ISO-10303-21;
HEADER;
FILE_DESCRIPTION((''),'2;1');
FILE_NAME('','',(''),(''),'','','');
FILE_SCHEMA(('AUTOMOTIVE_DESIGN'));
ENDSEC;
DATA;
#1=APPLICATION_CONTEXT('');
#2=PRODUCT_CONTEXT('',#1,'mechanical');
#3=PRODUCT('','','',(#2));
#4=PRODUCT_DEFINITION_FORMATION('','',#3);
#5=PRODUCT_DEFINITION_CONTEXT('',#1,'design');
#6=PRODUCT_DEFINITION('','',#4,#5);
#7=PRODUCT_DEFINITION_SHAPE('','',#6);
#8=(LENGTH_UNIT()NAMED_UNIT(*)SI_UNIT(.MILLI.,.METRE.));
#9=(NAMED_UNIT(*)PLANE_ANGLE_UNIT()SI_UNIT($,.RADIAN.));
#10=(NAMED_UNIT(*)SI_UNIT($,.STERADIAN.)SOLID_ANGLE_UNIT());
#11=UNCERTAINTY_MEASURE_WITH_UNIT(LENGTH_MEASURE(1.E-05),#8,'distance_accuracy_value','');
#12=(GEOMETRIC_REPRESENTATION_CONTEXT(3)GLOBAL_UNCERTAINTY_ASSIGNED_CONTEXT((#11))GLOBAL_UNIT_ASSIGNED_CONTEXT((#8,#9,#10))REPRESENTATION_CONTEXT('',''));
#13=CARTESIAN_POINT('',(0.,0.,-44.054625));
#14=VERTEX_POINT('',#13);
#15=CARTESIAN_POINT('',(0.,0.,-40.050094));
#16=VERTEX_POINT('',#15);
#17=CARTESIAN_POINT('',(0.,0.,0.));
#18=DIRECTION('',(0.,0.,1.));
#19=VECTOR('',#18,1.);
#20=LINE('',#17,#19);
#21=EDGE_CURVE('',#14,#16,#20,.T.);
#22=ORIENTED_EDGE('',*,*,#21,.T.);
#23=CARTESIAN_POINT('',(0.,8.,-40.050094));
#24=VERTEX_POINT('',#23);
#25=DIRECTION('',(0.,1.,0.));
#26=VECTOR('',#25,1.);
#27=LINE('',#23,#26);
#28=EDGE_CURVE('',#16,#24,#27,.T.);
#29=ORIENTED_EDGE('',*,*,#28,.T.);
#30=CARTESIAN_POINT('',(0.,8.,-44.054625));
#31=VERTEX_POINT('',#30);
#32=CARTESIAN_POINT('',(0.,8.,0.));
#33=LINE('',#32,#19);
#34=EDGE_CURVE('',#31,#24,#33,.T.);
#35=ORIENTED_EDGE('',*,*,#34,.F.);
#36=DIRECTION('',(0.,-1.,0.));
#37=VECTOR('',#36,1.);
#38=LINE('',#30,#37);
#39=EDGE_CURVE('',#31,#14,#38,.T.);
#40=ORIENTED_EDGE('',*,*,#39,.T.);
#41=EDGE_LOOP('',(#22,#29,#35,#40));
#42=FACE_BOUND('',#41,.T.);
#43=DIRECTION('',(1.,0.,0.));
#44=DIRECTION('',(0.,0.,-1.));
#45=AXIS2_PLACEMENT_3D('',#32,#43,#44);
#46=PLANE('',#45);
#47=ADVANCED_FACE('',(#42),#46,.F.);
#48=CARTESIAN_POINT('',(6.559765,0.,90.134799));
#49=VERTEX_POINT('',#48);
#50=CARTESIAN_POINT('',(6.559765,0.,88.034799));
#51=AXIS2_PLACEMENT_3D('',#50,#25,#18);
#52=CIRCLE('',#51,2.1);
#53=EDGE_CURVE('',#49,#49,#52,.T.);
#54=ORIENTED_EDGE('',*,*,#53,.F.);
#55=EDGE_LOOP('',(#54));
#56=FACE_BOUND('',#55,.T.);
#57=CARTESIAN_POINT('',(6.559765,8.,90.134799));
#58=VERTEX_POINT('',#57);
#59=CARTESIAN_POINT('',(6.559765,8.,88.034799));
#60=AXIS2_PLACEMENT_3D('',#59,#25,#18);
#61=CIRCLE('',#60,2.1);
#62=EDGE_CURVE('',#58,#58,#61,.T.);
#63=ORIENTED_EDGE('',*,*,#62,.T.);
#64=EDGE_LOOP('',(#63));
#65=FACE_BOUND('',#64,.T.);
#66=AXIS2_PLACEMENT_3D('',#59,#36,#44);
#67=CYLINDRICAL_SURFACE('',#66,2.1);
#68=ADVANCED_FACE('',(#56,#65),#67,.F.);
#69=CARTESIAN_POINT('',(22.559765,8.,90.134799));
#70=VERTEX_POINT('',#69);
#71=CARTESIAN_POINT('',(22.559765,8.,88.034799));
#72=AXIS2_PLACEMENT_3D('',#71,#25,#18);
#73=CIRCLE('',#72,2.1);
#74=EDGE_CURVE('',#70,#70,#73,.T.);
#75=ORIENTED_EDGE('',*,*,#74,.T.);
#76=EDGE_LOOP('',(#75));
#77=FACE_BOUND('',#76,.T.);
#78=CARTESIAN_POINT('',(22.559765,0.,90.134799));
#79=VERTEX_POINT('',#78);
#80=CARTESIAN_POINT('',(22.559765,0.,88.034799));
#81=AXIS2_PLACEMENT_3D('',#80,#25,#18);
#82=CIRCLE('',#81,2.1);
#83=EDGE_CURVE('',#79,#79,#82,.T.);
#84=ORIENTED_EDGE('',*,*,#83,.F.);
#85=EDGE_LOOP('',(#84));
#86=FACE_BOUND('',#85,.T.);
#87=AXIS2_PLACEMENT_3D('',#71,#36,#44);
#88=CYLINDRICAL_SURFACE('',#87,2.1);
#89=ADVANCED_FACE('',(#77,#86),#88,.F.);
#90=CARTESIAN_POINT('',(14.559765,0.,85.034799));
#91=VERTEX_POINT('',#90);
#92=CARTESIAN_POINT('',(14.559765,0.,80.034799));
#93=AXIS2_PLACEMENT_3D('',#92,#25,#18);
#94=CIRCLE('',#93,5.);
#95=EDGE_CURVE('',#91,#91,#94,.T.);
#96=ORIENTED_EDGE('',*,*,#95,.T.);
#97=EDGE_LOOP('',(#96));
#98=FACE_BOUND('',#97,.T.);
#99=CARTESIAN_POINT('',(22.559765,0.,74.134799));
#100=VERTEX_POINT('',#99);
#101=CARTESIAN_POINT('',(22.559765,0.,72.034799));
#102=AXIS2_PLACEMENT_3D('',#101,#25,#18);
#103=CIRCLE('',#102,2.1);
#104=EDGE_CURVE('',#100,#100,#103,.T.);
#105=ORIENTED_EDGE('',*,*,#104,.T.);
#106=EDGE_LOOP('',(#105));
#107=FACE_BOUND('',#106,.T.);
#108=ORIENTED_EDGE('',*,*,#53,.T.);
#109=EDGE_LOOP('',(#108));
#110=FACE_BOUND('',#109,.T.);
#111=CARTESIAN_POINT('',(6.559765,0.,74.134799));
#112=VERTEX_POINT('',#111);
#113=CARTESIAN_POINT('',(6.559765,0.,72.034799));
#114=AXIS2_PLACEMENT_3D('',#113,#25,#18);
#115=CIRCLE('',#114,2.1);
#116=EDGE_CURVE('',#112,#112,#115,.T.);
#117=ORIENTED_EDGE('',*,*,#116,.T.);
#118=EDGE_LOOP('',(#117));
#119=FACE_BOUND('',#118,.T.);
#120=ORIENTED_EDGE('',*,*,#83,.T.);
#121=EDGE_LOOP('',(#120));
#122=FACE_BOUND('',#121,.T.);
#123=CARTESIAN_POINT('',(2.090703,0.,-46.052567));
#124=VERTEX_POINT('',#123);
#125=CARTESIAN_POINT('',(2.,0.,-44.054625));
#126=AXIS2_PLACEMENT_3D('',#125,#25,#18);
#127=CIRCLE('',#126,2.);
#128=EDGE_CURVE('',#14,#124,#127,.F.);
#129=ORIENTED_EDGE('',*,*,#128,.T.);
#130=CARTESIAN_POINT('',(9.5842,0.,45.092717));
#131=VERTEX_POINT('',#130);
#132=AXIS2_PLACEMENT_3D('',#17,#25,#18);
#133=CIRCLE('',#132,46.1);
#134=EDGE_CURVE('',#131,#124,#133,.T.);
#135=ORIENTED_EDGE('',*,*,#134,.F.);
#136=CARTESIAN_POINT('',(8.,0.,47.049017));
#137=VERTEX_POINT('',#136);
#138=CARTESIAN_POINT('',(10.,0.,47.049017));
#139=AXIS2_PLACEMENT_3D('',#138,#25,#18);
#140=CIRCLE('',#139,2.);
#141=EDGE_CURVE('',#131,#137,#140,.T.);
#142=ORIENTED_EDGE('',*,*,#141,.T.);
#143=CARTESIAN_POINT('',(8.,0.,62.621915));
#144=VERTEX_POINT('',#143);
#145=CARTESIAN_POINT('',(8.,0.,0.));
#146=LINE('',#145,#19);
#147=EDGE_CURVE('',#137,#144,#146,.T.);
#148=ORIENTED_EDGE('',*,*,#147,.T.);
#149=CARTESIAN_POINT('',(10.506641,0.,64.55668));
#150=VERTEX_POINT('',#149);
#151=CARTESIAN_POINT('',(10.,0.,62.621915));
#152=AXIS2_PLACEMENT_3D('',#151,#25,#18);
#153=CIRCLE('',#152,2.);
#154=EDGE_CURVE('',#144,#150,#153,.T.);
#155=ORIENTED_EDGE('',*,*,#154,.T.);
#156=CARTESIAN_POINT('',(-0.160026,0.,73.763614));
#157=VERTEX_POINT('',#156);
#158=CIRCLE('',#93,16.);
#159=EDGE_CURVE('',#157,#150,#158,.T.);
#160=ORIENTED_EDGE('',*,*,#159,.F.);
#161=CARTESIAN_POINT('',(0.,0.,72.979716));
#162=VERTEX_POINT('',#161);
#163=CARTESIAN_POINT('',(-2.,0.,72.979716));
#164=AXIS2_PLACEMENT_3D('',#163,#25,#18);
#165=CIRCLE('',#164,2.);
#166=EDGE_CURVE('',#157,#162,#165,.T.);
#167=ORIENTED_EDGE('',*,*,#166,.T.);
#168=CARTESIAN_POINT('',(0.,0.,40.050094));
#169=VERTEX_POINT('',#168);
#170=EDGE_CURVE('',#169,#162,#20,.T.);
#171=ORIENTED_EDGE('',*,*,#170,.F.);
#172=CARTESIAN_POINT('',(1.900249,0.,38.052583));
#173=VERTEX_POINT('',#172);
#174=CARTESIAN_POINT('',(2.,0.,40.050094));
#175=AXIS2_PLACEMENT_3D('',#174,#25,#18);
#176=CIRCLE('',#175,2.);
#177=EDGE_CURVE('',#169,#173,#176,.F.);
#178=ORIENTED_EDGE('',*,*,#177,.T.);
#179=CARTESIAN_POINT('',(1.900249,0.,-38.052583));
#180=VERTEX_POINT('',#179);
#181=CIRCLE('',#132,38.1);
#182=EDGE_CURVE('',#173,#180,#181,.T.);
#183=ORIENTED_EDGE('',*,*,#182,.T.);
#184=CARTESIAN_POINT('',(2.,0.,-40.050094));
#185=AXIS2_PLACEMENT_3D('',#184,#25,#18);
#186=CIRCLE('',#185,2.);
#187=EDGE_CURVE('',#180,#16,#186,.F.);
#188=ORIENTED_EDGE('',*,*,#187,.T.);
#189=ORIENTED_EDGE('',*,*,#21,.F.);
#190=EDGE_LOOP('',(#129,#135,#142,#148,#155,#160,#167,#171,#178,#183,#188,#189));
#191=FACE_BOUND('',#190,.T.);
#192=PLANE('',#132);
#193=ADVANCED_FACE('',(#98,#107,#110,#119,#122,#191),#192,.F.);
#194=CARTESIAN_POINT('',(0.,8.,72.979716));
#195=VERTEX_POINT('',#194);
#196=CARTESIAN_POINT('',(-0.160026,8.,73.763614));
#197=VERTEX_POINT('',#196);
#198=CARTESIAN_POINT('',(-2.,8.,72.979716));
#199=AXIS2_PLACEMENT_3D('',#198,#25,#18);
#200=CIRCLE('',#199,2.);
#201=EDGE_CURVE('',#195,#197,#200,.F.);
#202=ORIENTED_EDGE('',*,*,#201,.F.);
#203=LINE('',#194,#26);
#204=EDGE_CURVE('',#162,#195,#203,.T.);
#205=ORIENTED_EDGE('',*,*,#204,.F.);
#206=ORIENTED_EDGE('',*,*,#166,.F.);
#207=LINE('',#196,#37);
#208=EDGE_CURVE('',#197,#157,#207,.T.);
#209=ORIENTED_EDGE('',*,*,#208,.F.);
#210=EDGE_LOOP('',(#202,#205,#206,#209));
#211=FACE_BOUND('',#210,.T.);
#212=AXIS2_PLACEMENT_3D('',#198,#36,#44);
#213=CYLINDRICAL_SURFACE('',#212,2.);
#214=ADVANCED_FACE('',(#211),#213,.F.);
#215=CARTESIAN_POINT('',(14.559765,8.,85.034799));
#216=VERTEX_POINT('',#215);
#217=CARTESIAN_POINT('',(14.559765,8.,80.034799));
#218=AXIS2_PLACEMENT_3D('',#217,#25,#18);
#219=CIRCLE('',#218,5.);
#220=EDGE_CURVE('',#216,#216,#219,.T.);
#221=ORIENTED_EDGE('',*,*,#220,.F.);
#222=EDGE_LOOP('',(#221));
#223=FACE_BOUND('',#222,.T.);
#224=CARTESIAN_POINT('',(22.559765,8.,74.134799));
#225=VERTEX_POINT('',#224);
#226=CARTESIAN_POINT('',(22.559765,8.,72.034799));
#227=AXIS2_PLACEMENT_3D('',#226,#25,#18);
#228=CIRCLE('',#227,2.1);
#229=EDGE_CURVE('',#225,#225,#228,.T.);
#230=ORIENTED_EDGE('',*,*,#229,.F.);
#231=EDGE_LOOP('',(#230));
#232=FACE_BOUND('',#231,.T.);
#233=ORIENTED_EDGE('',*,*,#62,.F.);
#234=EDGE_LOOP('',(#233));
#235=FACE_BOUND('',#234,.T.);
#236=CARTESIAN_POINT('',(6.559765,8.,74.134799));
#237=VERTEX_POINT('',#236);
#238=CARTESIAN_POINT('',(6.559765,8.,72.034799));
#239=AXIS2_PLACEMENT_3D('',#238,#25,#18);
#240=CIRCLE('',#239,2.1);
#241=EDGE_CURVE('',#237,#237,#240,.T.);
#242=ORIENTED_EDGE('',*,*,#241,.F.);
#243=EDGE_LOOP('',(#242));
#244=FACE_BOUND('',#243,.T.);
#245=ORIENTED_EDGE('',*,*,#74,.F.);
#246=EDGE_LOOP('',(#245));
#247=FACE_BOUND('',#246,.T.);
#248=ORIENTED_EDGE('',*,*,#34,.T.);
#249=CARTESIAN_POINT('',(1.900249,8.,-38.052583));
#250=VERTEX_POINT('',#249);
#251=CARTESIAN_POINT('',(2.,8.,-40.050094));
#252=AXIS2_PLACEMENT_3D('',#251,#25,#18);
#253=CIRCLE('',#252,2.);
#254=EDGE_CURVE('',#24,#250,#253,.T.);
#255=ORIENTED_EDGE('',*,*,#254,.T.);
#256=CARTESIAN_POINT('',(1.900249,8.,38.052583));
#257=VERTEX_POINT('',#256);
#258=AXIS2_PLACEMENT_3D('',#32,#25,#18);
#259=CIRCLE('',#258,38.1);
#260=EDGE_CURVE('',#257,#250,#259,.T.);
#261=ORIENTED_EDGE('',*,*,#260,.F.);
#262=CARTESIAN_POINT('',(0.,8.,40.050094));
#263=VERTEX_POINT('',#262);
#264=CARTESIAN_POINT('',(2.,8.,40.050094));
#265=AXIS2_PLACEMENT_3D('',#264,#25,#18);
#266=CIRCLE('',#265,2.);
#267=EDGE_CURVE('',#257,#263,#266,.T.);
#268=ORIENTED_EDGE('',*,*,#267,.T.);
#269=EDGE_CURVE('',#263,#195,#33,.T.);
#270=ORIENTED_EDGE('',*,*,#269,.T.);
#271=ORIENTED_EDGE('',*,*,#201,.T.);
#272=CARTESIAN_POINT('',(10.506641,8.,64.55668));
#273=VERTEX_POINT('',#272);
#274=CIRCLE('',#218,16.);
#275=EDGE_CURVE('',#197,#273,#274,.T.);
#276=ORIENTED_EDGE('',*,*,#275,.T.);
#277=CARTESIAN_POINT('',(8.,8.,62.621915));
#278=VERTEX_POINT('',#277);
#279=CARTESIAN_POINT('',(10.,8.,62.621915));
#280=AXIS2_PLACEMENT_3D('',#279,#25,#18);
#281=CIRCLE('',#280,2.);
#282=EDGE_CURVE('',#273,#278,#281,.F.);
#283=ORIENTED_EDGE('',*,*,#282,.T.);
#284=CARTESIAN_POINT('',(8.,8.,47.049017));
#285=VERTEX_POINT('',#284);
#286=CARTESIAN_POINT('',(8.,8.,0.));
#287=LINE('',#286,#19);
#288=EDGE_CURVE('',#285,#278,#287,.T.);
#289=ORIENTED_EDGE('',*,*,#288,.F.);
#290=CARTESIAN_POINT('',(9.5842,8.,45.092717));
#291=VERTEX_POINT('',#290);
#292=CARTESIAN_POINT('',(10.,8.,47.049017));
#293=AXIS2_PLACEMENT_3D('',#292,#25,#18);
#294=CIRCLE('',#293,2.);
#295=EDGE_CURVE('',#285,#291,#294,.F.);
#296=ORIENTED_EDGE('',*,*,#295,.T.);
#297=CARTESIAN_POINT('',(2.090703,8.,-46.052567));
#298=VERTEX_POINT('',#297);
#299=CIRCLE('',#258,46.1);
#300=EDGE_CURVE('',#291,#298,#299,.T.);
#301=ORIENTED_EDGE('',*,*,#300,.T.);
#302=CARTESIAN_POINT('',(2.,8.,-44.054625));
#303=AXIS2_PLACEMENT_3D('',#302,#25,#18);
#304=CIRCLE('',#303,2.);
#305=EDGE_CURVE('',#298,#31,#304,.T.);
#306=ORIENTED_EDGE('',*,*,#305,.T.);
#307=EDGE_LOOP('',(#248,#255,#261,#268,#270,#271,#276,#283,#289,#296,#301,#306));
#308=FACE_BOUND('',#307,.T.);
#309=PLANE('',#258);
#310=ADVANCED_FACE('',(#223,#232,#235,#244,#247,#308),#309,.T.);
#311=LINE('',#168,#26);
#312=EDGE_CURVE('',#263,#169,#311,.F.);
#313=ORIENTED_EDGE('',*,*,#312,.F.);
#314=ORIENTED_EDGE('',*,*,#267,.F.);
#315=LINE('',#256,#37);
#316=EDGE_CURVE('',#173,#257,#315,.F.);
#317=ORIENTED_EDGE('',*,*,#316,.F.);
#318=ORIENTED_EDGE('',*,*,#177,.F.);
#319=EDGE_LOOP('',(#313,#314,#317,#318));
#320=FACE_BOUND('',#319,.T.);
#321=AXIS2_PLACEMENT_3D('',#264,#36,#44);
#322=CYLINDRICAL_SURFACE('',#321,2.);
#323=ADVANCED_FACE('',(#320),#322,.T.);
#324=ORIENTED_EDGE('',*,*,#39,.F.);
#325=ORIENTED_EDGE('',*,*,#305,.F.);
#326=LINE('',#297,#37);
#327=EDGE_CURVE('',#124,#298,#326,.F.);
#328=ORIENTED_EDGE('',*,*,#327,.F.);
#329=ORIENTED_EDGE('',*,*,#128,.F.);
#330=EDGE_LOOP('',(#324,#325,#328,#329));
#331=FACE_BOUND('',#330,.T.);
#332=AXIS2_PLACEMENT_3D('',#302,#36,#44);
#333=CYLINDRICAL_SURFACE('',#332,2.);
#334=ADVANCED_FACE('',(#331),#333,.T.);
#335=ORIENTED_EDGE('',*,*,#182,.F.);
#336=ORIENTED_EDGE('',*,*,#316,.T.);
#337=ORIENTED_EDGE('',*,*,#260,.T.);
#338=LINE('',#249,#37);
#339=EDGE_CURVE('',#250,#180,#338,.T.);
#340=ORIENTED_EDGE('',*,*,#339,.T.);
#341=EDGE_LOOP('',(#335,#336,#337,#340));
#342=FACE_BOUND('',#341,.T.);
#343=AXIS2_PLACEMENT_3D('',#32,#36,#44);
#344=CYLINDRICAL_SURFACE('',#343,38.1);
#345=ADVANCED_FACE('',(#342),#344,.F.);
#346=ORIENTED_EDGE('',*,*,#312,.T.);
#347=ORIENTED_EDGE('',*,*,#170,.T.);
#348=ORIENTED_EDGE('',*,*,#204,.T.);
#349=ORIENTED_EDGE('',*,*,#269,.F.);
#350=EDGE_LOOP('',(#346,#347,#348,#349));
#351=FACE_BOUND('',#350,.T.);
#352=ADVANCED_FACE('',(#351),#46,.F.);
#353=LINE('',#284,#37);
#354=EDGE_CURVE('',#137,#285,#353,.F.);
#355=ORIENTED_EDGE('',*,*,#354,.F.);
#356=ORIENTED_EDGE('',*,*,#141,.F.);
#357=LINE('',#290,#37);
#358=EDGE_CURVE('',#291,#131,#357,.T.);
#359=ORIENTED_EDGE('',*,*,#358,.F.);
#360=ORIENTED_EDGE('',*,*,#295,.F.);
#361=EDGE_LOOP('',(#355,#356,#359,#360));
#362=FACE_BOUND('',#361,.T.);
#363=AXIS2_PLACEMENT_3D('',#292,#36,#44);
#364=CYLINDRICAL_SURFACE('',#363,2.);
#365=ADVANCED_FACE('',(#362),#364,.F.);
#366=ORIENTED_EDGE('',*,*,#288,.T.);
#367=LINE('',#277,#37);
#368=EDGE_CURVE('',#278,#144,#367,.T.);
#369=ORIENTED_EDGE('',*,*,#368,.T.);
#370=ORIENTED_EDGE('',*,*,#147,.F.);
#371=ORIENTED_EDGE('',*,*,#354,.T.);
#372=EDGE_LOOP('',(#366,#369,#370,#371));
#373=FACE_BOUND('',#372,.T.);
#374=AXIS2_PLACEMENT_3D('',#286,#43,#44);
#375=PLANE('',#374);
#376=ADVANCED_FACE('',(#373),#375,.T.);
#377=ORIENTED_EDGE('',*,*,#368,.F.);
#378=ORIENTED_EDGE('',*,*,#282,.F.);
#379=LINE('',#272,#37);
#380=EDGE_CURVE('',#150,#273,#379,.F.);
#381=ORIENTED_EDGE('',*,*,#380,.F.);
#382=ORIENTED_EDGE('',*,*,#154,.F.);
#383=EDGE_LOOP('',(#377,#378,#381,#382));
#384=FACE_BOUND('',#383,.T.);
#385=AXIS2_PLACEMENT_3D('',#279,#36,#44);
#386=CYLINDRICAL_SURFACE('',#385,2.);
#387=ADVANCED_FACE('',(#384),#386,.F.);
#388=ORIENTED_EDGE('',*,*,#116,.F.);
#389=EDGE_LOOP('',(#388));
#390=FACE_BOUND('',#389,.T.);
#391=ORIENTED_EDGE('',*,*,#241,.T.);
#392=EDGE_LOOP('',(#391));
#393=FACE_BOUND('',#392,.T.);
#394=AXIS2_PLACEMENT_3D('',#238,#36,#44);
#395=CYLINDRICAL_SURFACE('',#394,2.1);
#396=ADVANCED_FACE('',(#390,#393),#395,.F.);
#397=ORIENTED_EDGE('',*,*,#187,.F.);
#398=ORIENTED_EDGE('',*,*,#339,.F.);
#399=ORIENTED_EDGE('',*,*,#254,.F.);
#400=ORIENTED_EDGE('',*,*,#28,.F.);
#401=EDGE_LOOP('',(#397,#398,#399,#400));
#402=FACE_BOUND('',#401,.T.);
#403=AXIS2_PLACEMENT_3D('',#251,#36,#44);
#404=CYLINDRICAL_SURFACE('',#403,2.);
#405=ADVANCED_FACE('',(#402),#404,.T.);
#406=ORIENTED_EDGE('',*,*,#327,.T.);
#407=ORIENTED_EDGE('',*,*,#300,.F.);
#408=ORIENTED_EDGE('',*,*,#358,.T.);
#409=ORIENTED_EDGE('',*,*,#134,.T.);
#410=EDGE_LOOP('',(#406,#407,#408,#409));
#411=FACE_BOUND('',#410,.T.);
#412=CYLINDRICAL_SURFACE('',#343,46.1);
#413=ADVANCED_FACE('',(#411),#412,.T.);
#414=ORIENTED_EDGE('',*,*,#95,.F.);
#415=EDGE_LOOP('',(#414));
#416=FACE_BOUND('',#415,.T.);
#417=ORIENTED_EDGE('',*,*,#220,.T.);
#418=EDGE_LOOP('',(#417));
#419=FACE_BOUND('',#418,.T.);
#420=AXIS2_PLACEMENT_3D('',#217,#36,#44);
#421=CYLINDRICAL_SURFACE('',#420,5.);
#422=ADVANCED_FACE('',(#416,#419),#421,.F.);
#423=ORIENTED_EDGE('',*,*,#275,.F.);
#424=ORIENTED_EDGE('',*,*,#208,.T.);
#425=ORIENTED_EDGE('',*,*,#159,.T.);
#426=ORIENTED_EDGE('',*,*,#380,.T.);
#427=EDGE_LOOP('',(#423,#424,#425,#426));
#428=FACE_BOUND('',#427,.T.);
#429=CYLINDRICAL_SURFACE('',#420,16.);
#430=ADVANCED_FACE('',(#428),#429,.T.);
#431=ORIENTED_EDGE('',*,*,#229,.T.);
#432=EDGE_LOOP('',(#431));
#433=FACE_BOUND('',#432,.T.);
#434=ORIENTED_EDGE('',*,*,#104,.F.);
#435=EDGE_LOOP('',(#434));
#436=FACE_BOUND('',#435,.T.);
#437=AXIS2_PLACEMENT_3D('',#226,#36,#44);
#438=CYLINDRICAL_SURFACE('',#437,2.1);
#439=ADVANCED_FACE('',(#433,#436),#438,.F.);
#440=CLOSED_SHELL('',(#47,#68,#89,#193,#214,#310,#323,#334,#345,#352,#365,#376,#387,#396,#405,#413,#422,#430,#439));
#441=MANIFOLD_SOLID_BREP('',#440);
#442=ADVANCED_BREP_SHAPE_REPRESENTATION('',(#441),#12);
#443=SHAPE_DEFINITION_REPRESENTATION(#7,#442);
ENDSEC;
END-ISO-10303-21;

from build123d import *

# Parameters (mm, degrees)
SKETCH1_R           = 2.1
SKETCH1_R_2         = 5
BOSS_EXTRUDE2_DEPTH = 8
FILLET1_R           = 2


with BuildPart() as part:
    # Sketch1 → Boss-Extrude2 (new body)
    with BuildSketch(Plane(origin=(0, 0, 0), x_dir=(1, 0, 0), z_dir=(0, 1, 0))):
        with BuildLine():
            Line((0, 46.1), (0, 38.1))
            ThreePointArc((0, 38.1), (38.1, 0), (0, -38.1))
            Line((0, -38.1), (0, -73.400550657))
            ThreePointArc((0, -73.400550657), (25.844530788, -91.377376201), (8, -65.441325051))
            Line((8, -65.441325051), (8, -45.400550657))
            ThreePointArc((8, -45.400550657), (45.924804764, 4.015259312), (0, 46.1))
        make_face()
        with Locations(Location((22.559764633, -72.034799208, 0), (0, 0, 270))):
            Circle(SKETCH1_R, mode=Mode.SUBTRACT)
        with Locations(Location((22.559764633, -88.034799208, 0), (0, 0, 270))):
            Circle(SKETCH1_R, mode=Mode.SUBTRACT)
        with Locations(Location((6.559764633, -88.034799208, 0), (0, 0, 270))):
            Circle(SKETCH1_R, mode=Mode.SUBTRACT)
        with Locations(Location((6.559764633, -72.034799208, 0), (0, 0, 270))):
            Circle(SKETCH1_R, mode=Mode.SUBTRACT)
        with Locations(Location((14.559764633, -80.034799208, 0), (0, 0, 270))):
            Circle(SKETCH1_R_2, mode=Mode.SUBTRACT)
    extrude(amount=BOSS_EXTRUDE2_DEPTH)

    # Fillet1
    fillet1_edges = [part.edges().sort_by_distance(p)[0] for p in [
        (0, 4, 38.1),
        (0, 4, -38.1),
        (0, 4, -46.1),
        (8, 4, 45.400550657),
        (8, 4, 65.441325051),
        (0, 4, 73.400550657),
    ]]
    fillet(fillet1_edges, radius=FILLET1_R)


solid = part.part
